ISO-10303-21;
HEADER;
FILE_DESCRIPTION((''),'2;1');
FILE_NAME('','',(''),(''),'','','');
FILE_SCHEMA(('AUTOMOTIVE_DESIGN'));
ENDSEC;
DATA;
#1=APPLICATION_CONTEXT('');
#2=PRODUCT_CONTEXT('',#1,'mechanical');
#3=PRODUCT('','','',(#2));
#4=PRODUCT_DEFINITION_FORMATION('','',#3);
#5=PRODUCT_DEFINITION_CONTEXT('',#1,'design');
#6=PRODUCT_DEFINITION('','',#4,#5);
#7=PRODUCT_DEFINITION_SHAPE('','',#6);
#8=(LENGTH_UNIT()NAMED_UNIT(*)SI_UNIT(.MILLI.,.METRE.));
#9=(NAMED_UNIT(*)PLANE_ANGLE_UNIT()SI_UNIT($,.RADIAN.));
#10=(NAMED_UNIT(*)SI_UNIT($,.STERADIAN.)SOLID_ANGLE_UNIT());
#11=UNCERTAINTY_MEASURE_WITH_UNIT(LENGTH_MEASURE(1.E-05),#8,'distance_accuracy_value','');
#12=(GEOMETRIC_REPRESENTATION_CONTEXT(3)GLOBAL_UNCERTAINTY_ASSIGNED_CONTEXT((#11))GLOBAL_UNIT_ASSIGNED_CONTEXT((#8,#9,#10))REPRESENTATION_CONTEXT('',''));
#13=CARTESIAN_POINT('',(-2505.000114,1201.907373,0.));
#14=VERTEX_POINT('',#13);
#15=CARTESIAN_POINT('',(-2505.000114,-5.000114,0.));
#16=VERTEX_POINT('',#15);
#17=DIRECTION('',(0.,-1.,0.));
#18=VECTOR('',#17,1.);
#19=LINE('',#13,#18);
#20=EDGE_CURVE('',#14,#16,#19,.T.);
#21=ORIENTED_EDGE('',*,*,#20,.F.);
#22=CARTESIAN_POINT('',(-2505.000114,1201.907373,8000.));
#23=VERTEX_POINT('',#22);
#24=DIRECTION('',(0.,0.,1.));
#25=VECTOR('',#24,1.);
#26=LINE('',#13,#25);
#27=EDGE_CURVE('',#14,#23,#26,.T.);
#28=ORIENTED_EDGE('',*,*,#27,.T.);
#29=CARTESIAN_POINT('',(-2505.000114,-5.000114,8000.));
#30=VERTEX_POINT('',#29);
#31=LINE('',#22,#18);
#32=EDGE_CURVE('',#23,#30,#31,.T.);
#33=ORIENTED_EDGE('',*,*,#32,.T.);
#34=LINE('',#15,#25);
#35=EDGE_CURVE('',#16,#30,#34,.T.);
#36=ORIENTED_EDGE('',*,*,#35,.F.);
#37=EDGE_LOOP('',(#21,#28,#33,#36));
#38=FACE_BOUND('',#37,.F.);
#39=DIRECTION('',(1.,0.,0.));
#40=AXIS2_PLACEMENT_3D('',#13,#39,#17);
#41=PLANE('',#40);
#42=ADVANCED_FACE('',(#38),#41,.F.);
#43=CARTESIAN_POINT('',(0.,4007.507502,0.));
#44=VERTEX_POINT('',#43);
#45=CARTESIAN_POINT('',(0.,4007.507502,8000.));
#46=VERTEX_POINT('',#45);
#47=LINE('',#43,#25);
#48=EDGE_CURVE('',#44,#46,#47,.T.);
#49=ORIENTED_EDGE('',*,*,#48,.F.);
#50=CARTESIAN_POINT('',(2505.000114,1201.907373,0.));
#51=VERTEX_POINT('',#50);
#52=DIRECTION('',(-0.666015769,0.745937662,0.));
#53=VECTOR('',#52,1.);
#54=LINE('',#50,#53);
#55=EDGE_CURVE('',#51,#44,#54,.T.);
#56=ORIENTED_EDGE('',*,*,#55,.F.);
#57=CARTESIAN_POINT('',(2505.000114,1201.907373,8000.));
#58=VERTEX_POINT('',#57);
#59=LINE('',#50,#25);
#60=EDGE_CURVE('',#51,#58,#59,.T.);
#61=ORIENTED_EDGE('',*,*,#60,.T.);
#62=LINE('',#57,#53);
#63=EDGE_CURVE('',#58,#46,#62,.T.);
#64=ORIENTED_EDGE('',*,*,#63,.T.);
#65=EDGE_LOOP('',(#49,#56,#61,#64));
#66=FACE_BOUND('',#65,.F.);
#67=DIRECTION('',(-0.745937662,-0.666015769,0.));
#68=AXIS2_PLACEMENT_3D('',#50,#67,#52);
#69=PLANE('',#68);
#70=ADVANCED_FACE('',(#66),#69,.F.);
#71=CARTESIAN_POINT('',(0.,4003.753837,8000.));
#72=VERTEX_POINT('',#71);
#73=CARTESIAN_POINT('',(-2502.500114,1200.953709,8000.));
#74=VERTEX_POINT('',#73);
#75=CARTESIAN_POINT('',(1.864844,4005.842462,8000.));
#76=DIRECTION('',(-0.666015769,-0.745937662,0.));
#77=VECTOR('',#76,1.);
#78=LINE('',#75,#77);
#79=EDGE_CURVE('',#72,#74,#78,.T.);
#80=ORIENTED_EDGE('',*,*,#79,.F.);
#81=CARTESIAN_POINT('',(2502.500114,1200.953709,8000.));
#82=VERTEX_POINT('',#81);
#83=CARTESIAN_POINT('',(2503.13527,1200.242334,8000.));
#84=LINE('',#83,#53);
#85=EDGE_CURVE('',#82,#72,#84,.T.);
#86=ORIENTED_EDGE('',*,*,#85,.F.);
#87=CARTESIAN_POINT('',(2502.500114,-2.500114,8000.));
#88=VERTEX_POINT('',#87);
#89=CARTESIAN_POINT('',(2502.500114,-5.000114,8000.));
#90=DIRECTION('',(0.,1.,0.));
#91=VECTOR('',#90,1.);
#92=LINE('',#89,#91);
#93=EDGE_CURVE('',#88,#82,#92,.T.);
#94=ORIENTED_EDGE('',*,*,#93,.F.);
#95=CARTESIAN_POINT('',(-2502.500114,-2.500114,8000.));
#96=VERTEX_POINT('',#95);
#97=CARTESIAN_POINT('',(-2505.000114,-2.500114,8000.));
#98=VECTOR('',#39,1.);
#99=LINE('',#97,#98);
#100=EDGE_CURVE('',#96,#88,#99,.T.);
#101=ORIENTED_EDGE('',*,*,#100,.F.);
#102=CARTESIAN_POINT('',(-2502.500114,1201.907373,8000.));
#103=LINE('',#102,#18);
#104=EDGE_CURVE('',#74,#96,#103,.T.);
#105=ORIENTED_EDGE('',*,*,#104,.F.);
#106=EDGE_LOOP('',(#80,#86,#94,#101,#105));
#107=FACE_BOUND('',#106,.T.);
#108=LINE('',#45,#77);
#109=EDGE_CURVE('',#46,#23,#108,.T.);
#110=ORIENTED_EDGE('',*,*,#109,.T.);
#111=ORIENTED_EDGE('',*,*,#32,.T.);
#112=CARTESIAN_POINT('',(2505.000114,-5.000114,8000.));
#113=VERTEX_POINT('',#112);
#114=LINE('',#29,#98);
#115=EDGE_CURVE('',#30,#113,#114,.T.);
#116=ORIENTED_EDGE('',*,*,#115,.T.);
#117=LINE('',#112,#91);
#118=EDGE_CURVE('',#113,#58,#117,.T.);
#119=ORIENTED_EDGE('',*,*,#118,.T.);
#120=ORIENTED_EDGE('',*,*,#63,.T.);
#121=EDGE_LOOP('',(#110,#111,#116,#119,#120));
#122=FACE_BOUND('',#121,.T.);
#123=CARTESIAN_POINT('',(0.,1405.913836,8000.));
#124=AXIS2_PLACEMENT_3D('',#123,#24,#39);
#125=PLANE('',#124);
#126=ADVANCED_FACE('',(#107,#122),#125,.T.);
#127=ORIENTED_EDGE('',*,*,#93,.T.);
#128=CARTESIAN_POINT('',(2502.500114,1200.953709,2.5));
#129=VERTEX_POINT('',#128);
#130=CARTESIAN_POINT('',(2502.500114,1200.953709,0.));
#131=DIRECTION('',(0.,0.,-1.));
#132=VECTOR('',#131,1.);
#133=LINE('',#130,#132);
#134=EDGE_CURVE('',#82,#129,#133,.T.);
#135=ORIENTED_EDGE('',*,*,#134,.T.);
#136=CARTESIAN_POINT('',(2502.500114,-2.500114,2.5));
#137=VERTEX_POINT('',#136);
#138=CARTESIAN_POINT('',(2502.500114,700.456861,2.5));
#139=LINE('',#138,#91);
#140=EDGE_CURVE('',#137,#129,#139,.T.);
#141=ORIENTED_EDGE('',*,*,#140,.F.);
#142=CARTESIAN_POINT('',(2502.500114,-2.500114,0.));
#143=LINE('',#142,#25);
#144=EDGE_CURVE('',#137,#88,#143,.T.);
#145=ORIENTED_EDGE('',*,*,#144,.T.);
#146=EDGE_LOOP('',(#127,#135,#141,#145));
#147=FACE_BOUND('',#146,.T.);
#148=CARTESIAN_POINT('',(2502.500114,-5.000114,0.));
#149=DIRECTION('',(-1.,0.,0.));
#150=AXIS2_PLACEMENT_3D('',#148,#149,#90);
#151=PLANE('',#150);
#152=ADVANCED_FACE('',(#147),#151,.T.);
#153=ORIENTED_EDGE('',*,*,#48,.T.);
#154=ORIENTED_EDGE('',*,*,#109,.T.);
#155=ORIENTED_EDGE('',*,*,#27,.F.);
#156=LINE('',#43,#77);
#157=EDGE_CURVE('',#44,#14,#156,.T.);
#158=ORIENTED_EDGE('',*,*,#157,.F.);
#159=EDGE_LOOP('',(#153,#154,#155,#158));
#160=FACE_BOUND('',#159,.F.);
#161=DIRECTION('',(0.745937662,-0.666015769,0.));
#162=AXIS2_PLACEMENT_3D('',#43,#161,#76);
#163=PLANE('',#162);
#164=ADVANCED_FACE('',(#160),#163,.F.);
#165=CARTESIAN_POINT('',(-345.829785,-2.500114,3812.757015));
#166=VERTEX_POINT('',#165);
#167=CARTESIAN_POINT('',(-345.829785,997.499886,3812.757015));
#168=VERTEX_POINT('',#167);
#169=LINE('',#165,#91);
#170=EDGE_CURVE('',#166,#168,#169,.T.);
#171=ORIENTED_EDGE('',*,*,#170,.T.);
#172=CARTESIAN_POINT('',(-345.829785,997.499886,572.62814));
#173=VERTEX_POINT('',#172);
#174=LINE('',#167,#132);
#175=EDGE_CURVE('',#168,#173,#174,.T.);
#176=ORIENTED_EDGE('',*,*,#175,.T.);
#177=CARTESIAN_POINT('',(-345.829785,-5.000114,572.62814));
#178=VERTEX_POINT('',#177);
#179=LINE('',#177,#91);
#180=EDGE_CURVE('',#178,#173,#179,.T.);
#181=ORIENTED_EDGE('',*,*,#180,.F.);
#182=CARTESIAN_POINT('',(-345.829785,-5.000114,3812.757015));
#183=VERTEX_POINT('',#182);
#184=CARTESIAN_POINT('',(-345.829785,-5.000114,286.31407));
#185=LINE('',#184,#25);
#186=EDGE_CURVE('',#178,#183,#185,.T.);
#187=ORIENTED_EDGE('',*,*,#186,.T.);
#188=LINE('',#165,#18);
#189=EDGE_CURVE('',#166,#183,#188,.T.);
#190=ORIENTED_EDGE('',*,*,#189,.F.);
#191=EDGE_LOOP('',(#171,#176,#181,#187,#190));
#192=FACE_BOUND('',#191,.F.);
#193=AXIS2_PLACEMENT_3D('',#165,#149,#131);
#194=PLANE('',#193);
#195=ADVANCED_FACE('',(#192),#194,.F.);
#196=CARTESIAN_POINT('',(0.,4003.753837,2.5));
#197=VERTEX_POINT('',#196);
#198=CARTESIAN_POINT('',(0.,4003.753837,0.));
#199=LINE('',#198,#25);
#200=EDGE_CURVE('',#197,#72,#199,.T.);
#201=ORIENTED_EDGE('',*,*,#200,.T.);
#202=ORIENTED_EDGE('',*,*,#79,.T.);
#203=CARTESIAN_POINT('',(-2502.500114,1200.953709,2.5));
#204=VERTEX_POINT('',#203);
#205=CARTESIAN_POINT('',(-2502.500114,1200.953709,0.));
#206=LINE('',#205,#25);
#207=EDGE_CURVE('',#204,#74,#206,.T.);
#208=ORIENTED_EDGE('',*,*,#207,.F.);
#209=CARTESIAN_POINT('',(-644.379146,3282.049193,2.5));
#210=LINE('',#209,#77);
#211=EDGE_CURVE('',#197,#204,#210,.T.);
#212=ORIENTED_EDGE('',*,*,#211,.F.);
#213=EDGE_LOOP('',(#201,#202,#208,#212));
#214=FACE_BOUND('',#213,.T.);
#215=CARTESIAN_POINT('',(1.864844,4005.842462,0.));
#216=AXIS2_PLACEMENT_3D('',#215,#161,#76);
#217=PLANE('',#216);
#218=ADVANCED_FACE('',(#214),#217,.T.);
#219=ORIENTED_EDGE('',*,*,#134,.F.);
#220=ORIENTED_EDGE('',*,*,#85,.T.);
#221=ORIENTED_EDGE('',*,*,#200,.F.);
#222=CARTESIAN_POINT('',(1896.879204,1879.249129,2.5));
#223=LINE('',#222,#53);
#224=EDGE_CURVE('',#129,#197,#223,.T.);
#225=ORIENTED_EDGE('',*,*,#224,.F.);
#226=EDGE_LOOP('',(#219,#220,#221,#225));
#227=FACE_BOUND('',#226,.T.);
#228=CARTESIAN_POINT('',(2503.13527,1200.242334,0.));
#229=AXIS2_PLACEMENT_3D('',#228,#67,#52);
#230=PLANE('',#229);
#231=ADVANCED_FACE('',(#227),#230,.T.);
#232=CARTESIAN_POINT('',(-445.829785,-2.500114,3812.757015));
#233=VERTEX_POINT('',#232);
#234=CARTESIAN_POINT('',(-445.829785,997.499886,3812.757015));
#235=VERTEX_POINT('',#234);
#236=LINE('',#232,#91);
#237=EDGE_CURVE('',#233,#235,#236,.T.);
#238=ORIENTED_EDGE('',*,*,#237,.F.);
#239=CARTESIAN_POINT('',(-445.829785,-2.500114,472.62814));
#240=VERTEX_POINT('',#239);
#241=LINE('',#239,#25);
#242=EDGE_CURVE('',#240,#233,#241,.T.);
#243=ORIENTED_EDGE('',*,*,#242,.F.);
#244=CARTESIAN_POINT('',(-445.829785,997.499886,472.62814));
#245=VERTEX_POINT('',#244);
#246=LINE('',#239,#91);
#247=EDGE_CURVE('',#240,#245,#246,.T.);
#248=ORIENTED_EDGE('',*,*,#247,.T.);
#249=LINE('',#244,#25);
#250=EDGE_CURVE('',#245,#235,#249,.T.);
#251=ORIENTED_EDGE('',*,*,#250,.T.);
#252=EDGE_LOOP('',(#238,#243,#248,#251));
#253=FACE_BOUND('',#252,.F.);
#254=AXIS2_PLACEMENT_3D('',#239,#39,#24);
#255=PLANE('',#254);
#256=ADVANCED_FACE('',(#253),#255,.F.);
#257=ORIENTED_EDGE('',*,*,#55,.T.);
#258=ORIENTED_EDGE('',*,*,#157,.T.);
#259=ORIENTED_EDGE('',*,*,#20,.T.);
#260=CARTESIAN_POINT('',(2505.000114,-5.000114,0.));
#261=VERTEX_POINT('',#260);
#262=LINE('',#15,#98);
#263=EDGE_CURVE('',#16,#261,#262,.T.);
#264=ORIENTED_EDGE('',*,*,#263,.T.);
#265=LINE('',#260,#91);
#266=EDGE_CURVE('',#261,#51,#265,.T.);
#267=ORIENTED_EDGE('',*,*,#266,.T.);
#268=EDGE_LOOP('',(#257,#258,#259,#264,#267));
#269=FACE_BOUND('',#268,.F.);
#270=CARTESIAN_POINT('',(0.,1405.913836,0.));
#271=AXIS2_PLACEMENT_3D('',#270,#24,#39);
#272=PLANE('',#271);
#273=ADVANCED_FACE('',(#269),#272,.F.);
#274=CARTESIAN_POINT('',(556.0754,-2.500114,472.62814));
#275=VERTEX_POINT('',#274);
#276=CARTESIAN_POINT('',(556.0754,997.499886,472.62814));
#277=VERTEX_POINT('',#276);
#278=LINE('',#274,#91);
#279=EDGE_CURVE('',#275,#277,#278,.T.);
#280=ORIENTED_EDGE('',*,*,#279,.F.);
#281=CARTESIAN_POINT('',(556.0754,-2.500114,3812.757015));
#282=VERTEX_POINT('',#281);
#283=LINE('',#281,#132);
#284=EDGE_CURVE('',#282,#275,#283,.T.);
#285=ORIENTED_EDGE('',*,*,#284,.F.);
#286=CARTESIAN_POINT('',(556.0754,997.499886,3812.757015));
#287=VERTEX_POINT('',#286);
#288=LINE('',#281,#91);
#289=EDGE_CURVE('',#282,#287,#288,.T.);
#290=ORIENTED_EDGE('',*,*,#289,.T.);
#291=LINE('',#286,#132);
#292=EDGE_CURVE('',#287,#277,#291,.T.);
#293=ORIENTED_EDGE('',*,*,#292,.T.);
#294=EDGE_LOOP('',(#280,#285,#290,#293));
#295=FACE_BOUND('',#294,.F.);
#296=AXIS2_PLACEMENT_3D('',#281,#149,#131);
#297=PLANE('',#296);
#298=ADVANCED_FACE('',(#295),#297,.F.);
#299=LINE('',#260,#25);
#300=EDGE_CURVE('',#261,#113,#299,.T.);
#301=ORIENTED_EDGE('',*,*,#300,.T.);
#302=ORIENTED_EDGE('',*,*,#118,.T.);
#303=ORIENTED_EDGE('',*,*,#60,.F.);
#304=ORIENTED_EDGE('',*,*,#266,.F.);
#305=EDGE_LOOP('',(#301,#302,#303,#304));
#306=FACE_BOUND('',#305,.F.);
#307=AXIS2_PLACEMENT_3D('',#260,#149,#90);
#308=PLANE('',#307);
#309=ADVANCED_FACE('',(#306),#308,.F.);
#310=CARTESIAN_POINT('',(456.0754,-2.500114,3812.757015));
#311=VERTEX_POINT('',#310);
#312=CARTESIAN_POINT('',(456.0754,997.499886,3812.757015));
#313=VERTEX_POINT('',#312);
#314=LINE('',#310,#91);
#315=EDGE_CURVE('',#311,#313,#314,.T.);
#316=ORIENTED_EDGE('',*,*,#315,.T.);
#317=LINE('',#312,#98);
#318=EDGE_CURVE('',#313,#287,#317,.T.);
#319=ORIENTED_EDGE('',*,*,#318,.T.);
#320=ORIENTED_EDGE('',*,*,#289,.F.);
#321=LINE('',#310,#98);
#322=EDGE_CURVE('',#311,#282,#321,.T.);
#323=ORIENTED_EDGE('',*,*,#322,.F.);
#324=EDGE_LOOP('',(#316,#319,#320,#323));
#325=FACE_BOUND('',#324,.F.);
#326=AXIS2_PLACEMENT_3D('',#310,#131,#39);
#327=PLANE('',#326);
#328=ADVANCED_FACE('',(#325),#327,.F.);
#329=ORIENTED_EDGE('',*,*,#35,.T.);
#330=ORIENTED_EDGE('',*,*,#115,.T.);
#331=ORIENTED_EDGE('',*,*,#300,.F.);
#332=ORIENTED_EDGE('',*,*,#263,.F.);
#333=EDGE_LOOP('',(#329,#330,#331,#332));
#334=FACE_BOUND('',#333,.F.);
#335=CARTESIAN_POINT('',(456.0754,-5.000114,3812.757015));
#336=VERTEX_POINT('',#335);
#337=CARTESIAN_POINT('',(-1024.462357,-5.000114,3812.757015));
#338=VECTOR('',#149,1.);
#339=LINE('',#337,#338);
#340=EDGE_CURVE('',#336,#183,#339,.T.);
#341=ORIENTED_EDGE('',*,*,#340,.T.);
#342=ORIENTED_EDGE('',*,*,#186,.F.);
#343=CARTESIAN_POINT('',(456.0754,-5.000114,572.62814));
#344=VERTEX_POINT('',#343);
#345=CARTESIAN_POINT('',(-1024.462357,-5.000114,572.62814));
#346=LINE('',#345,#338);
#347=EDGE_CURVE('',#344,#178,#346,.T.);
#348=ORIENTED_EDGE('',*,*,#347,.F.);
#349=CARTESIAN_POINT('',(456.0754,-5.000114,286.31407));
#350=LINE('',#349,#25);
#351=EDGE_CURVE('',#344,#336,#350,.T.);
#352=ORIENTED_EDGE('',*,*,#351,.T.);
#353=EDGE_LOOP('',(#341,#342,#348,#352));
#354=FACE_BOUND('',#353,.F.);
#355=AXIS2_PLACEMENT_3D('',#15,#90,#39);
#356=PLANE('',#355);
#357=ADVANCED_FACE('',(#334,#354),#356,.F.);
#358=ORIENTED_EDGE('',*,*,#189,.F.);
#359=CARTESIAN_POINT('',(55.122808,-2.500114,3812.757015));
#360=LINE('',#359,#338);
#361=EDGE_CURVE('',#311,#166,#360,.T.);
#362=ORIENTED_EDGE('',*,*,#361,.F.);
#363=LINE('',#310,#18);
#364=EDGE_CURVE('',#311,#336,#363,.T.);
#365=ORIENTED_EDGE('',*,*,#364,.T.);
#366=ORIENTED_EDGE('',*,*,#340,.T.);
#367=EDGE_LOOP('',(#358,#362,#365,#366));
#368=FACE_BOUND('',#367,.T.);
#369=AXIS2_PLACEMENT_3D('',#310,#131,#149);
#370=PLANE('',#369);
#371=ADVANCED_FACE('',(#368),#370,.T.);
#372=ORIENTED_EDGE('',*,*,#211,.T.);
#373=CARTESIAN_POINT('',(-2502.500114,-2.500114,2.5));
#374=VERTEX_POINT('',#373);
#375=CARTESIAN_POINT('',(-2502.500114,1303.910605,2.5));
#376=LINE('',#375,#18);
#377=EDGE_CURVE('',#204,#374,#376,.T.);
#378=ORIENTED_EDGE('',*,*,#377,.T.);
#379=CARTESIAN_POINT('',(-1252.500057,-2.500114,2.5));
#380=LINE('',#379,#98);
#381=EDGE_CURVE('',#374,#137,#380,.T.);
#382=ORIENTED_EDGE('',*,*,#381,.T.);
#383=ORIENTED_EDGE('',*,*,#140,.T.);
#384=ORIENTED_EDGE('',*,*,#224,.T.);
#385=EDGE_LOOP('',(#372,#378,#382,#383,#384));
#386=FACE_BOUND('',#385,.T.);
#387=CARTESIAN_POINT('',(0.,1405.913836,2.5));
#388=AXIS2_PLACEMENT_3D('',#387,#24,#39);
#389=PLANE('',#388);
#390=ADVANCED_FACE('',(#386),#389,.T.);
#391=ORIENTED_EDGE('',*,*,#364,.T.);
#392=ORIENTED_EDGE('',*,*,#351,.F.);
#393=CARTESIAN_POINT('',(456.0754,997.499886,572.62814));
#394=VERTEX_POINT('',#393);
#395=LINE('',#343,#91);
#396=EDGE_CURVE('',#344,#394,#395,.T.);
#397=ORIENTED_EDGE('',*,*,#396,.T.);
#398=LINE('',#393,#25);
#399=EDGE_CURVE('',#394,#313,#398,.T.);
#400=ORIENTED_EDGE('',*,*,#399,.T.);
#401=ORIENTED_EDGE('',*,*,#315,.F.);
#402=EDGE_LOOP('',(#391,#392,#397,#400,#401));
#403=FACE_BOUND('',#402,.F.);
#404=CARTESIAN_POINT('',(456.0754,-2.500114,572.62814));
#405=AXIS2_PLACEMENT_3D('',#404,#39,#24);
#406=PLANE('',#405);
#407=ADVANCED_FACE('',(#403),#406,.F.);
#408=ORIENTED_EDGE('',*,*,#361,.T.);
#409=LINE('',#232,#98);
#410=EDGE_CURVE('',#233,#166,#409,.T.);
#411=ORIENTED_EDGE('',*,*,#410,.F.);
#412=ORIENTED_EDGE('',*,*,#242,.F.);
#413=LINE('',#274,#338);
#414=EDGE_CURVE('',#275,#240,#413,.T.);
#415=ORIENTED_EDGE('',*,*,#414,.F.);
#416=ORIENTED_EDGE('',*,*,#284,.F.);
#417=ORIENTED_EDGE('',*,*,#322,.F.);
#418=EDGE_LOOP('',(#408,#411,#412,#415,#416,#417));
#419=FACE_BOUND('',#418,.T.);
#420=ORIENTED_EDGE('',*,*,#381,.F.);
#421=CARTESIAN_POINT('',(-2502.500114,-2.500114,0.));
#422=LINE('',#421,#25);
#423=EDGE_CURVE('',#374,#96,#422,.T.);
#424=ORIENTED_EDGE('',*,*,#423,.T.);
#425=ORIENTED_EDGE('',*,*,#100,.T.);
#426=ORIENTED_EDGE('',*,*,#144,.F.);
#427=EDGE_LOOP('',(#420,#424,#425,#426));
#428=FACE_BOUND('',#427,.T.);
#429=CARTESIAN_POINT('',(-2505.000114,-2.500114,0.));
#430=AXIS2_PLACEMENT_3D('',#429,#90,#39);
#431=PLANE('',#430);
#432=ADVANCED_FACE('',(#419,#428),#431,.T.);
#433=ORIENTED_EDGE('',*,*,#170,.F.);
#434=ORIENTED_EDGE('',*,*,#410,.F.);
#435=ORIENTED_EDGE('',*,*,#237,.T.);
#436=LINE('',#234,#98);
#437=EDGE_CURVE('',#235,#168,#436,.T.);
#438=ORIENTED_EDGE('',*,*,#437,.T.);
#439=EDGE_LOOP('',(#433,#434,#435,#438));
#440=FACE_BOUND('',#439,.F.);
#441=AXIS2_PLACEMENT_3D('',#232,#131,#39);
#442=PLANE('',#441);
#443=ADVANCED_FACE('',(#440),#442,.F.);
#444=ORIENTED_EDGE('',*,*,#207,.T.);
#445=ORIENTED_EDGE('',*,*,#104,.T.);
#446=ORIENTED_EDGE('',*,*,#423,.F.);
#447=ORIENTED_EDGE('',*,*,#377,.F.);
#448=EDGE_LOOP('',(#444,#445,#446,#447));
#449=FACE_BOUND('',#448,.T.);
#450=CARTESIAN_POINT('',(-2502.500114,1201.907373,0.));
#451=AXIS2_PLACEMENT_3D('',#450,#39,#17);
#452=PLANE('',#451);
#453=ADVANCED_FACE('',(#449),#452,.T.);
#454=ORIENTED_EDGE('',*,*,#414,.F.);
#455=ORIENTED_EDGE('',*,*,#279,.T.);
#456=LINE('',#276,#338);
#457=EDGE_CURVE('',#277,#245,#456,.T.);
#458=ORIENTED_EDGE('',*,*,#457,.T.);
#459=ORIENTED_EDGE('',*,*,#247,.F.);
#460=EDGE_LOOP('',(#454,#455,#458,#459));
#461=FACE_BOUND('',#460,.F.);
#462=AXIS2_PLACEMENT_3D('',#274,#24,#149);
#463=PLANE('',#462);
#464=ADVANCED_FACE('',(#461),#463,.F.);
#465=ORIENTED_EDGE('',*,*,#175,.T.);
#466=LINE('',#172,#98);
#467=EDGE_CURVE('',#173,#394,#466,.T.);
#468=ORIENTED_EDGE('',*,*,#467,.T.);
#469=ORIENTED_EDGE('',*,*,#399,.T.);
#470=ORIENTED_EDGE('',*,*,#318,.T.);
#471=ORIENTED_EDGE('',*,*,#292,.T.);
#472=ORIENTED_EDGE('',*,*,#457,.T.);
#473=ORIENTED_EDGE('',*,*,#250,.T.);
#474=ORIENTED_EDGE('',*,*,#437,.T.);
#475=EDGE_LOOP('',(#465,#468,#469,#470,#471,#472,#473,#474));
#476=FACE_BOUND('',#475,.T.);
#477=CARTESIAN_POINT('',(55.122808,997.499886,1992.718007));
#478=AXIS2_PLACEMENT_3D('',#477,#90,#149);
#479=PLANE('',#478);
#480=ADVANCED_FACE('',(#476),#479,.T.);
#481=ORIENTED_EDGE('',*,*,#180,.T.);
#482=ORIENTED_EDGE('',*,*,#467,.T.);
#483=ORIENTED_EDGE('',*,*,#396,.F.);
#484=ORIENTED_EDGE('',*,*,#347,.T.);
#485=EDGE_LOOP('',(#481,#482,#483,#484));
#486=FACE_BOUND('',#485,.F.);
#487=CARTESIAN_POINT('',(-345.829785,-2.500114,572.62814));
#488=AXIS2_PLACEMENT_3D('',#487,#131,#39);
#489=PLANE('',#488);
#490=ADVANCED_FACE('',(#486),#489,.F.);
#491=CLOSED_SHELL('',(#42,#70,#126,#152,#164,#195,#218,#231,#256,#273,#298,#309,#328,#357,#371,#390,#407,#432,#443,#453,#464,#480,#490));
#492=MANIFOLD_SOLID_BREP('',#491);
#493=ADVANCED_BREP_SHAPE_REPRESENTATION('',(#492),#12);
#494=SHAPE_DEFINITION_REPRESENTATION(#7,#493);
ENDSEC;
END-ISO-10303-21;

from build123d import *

# Parameters (mm, degrees)
F1_DEPTH = 8000
F2_T     = -2.5
F3_W     = 801.9051849842
F3_H     = 3240.1288747787
F4_DEPTH = 25
F6_DEPTH = 1000


with BuildPart() as f1:
    # F0 (on Top) → F1 (new body)
    with BuildSketch(Plane.XY):
        Polygon((2505.0001144409, 1201.907373407), (0, 4007.5075015809), (-2505.0001144409, 1201.907373407), (-2505.0001144409, -5.0001144409), (2505.0001144409, -5.0001144406), align=None)
        Polygon((2500, 3e-10), (-2500, 0), (-2500, 1200), (0, 4000.0000000002), (2500, 1200), align=None, mode=Mode.SUBTRACT)
        Polygon((-2500, 1200), (-2500, 0), (2500, 3e-10), (2500, 1200), (0, 4000.0000000002), align=None)
    extrude(amount=F1_DEPTH)

    # F2
    f2_openings = [f1.faces().sort_by_distance(p)[0] for p in [
        (0, 1425.528536, 8000),
    ]]
    offset(amount=F2_T, openings=f2_openings)

    # F3 (on face) → F4 (cut)
    with BuildSketch(Plane(origin=(0, -2.5001144408, 0), x_dir=(-1, 0, 0), z_dir=(0, 1, 0))):
        with Locations((-55.122807622, 2192.6925778389)):
            Rectangle(F3_W, F3_H)
    extrude(amount=-F4_DEPTH, mode=Mode.SUBTRACT)

    # F5 (on face) → F6 (join)
    with BuildSketch(Plane(origin=(0, -2.5001144408, 0), x_dir=(-1, 0, 0), z_dir=(0, 1, 0))):
        Polygon((445.8297848701, 3812.7570152283), (345.8297848701, 3812.7570152283), (345.8297848701, 572.6281404495), (-456.0754001141, 572.6281404495), (-456.0754001141, 3812.7570152283), (-556.0754001141, 3812.7570152283), (-556.0754001141, 572.6281404495), (-556.0754001141, 472.6281404495), (445.8297848701, 472.6281404495), (445.8297848701, 572.6281404495), align=None)
    extrude(amount=F6_DEPTH)


solid = f1.part
